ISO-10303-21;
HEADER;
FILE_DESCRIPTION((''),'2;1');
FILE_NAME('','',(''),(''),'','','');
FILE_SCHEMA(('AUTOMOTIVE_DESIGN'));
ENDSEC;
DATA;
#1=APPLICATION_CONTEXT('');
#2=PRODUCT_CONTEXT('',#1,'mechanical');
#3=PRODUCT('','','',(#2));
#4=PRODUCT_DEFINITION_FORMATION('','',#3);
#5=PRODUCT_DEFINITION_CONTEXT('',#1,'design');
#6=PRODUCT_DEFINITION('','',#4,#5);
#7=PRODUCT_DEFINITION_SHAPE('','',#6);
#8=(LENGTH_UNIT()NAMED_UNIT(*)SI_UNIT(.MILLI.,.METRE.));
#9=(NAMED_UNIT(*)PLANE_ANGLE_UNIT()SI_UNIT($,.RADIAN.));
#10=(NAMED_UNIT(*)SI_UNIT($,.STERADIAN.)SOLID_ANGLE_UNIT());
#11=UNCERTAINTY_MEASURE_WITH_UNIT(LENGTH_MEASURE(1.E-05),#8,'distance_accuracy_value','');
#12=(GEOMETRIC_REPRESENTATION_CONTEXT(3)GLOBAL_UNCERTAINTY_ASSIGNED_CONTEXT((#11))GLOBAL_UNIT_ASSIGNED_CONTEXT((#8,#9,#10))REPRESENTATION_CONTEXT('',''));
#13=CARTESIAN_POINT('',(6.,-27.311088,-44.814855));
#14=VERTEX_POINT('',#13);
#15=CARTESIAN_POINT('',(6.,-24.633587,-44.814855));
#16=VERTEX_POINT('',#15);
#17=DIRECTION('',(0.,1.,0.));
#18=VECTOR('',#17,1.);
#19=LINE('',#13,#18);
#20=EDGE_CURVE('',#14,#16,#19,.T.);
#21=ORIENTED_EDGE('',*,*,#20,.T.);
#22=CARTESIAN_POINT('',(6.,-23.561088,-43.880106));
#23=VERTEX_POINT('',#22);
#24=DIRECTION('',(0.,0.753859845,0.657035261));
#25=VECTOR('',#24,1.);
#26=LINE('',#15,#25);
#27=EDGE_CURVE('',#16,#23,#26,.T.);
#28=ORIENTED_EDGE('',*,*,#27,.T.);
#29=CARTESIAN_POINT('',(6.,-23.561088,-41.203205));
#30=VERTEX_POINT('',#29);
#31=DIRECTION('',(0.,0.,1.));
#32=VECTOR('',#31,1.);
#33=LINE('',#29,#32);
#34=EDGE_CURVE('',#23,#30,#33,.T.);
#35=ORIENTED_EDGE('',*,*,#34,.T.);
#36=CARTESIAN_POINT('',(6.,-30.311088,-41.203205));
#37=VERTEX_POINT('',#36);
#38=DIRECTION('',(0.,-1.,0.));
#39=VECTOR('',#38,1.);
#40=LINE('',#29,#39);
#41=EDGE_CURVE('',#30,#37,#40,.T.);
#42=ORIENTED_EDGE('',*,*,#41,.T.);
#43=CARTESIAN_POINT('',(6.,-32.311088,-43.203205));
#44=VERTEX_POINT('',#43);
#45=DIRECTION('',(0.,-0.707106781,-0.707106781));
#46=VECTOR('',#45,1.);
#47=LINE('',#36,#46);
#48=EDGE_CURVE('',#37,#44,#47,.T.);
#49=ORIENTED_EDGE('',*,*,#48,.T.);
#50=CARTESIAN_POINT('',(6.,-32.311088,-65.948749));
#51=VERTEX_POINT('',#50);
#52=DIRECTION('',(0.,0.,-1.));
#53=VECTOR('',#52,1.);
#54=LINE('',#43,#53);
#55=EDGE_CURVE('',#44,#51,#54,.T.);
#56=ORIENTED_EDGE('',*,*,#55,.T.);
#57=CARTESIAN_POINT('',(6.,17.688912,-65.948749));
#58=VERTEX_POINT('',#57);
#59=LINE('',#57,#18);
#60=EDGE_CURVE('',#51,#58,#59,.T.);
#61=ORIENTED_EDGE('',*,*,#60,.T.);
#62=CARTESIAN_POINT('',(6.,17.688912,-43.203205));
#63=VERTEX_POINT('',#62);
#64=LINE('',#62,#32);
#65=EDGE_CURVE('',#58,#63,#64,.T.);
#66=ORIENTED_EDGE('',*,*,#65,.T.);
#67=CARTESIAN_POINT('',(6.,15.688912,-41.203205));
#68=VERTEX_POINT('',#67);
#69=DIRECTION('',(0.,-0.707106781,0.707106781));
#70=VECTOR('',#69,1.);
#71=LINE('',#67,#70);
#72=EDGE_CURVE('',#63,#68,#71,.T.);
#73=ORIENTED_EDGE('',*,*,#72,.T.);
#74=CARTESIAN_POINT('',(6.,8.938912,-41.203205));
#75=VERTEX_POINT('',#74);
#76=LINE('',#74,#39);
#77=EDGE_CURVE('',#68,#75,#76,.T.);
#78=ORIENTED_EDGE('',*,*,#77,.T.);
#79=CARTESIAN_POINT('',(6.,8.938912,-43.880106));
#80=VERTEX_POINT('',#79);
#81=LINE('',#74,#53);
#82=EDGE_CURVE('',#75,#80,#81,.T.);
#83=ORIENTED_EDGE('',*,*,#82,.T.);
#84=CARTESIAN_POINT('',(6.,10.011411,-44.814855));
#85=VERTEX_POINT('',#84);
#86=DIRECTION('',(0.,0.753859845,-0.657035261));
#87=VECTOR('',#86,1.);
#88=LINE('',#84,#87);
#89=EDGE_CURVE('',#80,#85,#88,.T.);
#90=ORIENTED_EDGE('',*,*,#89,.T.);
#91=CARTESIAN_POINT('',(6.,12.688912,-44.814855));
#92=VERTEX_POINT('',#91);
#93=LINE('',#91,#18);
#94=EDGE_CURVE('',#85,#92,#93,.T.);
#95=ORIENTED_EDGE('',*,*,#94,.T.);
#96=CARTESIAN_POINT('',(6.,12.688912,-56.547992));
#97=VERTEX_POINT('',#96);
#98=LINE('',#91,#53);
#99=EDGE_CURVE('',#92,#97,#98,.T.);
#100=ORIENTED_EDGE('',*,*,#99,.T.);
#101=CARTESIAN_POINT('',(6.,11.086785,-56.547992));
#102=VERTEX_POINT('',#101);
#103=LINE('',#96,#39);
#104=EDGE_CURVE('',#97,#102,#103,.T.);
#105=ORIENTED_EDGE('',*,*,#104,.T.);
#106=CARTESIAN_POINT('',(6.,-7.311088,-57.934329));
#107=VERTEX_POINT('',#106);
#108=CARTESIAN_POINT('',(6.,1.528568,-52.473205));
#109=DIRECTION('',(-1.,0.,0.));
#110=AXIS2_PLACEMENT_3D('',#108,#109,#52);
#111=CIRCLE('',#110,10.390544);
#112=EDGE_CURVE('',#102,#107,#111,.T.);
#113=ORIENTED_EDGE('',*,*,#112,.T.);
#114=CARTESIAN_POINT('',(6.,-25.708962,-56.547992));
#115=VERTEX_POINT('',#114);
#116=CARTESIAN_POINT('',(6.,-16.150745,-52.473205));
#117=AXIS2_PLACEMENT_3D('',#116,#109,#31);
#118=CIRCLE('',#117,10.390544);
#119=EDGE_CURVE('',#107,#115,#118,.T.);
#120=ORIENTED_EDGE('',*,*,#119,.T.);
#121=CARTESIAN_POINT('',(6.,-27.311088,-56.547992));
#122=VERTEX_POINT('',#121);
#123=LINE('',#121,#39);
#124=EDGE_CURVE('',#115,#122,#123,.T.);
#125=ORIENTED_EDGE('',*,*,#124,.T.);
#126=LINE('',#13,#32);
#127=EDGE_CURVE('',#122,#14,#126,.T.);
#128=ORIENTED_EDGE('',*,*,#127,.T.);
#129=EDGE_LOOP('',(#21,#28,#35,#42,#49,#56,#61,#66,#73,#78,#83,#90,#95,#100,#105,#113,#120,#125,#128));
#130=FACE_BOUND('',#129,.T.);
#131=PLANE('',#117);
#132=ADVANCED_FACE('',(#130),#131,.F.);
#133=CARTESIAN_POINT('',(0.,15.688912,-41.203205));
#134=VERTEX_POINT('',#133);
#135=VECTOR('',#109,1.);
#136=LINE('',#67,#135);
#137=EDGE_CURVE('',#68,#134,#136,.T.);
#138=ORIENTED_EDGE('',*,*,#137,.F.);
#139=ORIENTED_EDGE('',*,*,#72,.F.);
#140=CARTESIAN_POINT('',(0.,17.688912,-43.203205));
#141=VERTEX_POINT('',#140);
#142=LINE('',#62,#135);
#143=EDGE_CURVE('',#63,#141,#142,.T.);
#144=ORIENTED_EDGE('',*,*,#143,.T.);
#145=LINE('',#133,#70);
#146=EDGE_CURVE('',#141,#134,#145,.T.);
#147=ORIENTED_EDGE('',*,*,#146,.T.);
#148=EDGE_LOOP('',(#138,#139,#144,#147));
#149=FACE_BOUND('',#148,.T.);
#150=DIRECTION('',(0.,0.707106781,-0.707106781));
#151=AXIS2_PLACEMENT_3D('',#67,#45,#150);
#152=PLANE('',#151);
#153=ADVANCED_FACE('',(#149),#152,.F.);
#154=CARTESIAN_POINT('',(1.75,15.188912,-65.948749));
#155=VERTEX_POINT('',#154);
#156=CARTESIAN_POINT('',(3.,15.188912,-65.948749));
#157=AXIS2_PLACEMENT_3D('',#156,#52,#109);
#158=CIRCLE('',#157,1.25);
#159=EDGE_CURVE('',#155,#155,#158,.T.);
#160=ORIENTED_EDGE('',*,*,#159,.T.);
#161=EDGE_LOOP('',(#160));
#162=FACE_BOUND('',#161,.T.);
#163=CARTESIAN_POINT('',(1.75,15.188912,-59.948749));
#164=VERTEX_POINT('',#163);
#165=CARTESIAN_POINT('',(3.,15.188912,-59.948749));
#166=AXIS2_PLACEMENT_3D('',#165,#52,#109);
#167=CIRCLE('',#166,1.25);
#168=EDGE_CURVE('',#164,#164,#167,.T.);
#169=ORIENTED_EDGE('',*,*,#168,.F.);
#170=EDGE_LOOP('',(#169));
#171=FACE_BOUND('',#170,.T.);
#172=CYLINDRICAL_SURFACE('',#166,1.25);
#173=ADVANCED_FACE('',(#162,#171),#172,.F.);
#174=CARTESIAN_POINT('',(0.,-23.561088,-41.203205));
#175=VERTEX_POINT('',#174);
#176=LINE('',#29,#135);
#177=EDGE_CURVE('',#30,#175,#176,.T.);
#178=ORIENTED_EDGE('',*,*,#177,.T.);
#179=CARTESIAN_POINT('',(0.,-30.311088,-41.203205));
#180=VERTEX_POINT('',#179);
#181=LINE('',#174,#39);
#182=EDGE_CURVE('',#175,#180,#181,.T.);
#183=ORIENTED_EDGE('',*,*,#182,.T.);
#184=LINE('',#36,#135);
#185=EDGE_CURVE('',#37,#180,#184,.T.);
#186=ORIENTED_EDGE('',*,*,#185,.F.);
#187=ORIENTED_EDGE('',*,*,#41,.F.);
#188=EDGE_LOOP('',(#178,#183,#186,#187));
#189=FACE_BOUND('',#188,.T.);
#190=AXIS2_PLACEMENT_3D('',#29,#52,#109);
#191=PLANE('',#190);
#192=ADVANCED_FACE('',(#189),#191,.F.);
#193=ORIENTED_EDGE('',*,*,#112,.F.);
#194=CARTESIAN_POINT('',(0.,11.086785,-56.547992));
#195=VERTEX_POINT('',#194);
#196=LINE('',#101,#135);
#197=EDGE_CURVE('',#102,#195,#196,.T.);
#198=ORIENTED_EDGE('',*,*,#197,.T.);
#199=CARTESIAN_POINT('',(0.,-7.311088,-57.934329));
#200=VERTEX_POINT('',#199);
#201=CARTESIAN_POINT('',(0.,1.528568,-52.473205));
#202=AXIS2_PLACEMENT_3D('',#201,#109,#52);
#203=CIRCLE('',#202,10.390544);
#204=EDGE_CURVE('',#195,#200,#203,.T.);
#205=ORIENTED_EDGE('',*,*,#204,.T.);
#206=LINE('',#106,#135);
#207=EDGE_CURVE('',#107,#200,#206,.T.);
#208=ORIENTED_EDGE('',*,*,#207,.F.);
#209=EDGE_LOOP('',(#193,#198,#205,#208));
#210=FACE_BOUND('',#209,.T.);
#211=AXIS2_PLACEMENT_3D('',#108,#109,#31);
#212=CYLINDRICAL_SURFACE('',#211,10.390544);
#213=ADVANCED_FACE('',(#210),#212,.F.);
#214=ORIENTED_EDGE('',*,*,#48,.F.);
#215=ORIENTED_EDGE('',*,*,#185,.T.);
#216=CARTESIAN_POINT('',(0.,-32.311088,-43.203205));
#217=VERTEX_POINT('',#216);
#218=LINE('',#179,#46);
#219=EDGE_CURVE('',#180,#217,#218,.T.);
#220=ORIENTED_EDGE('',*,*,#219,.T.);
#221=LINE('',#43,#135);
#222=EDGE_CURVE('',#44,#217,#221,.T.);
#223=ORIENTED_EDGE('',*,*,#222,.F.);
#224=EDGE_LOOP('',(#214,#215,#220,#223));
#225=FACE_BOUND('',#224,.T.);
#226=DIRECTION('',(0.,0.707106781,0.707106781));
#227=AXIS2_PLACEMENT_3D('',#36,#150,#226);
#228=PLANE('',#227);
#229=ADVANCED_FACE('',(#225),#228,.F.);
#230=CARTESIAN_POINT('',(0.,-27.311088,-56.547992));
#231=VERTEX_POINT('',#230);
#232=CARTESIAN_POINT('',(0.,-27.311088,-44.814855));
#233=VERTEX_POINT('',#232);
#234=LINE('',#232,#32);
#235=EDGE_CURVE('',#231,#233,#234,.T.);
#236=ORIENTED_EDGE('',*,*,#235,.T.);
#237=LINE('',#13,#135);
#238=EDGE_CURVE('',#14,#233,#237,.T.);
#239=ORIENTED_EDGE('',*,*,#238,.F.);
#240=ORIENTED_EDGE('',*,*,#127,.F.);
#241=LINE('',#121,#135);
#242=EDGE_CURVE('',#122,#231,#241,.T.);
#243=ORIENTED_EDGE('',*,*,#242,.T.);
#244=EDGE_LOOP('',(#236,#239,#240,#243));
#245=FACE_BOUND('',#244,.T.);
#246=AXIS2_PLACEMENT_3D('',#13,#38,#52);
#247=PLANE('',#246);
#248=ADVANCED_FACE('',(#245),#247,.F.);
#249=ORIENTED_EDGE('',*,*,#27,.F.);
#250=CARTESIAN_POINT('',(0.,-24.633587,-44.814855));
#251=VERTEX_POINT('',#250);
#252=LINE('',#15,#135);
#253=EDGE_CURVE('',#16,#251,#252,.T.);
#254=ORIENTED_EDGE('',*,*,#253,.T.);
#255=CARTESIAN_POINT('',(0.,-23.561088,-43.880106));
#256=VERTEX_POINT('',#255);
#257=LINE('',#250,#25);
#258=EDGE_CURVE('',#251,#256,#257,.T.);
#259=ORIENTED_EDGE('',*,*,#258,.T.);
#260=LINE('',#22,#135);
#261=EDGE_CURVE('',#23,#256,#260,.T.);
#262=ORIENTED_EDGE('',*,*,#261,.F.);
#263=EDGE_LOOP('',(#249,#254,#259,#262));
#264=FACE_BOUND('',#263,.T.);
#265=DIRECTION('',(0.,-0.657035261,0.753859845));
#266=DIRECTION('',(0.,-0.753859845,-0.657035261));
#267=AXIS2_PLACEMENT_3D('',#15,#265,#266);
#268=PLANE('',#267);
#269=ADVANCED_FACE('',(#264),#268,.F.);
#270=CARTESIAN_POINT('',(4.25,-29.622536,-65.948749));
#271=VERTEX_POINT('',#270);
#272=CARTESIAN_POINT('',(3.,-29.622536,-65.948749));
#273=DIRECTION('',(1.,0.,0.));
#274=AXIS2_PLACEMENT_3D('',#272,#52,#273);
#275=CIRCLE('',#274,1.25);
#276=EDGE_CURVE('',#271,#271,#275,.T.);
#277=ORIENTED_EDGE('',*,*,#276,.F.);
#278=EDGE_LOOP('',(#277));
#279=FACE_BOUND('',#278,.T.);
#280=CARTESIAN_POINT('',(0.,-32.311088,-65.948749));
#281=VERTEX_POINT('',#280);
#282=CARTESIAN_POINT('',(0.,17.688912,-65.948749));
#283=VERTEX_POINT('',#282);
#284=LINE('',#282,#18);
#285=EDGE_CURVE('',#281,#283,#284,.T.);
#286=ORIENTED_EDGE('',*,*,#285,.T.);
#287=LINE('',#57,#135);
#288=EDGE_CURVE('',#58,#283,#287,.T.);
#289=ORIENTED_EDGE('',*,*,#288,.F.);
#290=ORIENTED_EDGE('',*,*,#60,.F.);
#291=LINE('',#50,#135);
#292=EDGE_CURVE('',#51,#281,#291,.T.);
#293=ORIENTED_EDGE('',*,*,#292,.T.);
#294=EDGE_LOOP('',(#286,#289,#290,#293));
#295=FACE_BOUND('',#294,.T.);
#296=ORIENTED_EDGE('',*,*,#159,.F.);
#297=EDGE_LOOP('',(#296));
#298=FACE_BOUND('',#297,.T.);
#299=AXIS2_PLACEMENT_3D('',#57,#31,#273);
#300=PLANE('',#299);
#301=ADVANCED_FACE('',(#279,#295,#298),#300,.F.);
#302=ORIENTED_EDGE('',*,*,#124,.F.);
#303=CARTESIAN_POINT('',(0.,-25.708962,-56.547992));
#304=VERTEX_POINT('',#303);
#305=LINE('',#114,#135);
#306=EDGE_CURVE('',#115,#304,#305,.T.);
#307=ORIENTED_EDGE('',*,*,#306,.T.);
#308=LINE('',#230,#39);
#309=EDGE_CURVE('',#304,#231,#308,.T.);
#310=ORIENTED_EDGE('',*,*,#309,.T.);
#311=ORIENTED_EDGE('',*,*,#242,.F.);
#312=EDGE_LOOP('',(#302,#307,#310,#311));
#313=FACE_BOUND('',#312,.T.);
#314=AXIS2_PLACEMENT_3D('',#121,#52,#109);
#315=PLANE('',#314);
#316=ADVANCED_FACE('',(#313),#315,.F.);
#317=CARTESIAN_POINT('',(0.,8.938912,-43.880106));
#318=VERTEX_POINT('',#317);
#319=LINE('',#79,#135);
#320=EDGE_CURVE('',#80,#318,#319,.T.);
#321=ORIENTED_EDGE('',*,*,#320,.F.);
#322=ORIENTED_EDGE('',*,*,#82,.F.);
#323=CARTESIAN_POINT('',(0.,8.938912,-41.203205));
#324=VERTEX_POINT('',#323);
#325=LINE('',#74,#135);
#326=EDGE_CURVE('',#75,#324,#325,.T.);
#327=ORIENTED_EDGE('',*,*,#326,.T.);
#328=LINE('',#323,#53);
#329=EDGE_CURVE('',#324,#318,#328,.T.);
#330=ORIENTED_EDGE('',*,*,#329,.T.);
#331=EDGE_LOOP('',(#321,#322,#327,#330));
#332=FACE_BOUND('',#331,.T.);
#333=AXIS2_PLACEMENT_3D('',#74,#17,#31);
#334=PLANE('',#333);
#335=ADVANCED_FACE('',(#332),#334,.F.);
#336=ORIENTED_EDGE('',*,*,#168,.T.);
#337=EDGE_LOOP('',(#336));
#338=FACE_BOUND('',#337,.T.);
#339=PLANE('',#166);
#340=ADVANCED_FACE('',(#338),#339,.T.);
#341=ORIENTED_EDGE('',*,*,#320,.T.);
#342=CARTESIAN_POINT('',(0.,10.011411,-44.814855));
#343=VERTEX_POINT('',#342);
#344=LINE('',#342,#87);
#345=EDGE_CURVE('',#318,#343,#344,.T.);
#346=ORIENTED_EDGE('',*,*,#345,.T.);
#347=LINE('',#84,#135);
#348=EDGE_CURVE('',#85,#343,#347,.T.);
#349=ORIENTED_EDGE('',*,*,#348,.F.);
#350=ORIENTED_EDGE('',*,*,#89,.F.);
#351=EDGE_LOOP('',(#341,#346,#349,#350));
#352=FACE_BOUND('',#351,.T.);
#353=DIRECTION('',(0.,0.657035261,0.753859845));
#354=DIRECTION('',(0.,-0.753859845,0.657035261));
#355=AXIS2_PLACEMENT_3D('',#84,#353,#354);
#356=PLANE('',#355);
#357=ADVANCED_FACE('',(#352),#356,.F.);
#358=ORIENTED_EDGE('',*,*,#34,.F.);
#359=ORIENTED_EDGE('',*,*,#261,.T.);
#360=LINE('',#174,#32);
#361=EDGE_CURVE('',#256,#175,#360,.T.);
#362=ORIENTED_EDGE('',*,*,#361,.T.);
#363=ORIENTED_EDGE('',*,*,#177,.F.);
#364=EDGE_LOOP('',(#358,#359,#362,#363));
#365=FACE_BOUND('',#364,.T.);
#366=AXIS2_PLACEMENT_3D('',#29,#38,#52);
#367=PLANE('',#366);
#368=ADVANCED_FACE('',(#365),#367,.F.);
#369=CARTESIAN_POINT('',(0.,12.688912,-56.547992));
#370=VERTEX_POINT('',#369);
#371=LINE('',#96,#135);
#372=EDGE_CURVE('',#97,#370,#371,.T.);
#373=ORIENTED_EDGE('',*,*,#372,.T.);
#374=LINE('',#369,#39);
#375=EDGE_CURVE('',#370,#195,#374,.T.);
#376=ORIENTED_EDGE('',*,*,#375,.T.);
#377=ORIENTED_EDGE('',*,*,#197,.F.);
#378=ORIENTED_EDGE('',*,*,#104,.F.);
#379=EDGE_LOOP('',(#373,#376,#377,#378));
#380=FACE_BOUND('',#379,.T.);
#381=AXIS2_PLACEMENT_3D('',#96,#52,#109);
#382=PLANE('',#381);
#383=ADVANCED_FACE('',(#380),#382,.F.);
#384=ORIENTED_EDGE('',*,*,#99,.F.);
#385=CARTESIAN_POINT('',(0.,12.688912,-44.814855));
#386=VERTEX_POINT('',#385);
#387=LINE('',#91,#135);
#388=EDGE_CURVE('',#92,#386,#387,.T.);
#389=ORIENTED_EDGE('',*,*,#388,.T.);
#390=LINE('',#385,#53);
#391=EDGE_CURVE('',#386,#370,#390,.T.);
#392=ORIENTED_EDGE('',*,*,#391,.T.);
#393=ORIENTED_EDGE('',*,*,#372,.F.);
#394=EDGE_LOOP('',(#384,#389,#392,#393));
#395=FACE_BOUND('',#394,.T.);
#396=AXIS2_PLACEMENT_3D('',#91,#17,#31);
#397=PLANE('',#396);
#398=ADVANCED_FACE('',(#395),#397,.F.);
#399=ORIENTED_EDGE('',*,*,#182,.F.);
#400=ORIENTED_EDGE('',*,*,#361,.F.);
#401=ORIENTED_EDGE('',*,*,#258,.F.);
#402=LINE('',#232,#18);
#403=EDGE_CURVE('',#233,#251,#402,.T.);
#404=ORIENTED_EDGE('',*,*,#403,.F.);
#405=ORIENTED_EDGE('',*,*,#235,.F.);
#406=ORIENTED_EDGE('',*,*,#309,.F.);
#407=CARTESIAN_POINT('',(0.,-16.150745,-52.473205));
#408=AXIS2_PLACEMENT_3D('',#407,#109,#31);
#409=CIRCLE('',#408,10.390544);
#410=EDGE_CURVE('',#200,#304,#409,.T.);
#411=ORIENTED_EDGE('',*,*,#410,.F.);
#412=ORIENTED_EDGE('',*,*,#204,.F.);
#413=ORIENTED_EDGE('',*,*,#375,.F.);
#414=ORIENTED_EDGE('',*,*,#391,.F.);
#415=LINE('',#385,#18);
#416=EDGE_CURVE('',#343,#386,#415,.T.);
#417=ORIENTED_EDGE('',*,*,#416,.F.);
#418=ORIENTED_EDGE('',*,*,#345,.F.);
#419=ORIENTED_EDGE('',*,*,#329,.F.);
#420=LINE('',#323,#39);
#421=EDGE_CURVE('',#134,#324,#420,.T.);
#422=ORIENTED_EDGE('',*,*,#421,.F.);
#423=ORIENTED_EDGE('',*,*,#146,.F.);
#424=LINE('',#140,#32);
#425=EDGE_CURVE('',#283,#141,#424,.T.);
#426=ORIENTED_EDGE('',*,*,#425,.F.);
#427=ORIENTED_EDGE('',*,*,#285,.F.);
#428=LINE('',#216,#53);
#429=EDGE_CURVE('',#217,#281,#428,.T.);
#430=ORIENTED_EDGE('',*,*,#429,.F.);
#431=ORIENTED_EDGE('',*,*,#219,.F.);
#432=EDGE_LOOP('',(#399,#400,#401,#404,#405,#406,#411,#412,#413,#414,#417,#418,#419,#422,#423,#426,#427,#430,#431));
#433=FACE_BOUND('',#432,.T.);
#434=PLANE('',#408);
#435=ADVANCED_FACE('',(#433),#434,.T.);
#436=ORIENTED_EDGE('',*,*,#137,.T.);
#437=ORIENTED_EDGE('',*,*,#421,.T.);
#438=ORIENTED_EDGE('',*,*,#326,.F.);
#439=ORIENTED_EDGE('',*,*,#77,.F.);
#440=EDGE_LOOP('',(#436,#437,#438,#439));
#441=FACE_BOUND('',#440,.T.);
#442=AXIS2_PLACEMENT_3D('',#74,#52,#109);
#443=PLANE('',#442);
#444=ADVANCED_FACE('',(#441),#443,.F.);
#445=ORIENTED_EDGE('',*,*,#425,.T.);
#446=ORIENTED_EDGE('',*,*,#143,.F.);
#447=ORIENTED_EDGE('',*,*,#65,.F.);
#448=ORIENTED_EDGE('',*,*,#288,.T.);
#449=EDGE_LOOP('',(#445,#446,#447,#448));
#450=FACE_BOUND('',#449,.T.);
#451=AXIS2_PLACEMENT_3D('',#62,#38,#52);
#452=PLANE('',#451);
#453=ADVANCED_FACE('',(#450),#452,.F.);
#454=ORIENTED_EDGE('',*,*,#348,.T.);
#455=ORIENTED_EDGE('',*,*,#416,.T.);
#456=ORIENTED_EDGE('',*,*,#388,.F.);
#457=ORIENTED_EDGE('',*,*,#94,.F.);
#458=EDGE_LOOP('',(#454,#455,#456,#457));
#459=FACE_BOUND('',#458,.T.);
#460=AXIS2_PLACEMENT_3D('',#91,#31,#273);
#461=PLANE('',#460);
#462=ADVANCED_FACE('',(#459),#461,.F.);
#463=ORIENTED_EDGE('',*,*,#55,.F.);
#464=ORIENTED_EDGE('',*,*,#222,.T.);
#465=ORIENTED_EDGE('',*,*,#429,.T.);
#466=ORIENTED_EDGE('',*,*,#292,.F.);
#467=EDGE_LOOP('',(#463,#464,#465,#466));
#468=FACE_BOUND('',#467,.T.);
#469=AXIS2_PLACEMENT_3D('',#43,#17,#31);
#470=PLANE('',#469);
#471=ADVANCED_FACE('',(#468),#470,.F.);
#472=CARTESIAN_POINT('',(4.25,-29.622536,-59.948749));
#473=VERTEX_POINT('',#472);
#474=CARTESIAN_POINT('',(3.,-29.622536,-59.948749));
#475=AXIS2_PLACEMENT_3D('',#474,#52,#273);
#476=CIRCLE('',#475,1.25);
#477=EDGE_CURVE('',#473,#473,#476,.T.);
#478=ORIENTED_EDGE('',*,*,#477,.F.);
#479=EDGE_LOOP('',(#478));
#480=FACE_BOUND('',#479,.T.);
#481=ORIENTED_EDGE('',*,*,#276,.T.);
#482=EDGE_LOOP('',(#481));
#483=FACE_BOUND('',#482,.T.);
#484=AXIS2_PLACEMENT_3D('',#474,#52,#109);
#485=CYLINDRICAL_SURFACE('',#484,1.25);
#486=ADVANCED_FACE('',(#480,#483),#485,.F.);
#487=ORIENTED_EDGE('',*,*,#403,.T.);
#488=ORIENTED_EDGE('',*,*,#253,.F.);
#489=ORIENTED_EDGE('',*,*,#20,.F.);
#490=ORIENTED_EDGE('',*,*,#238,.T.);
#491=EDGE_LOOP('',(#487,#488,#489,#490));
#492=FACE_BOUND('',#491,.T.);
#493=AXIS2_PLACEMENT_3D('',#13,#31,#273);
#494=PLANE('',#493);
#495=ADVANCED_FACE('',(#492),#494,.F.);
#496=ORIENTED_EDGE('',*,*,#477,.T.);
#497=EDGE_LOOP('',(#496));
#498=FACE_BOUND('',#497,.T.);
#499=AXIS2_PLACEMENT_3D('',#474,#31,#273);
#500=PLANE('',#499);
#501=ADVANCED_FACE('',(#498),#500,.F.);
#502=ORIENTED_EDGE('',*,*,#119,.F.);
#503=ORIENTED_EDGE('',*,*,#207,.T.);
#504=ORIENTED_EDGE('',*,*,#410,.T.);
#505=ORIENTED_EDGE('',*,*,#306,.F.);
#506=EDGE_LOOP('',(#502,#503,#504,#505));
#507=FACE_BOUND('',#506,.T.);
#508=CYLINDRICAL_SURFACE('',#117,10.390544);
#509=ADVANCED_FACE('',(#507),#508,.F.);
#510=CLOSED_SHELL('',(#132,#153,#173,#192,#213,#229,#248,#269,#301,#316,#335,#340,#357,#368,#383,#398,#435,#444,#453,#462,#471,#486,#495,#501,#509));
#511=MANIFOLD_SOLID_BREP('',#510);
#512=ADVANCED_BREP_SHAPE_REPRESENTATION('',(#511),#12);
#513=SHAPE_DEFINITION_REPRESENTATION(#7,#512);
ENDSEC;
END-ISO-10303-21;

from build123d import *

# Parameters (mm, degrees)
BOSS_EXTRUDE1_DEPTH = 6
SKETCH4_R           = 1.25
CUT_EXTRUDE1_DEPTH  = 6


with BuildPart() as part:
    # Sketch1 → Boss-Extrude1 (new body)
    with BuildSketch(Plane(origin=(0, 0, 0), x_dir=(0, 0, -1), z_dir=(1, 0, 0))):
        with BuildLine():
            Line((41.203205101, 15.688911622), (43.203205101, 17.688911622))
            Line((43.203205101, 17.688911622), (65.948748697, 17.688911622))
            Line((65.948748697, 17.688911622), (65.948748697, -32.311088378))
            Line((65.948748697, -32.311088378), (43.203205101, -32.311088378))
            Line((43.203205101, -32.311088378), (41.203205101, -30.311088378))
            Line((41.203205101, -30.311088378), (41.203205101, -23.561088378))
            Line((41.203205101, -23.561088378), (43.880106331, -23.561088378))
            Line((43.880106331, -23.561088378), (44.81485523, -24.633587377))
            Line((44.81485523, -24.633587377), (44.81485523, -27.311088378))
            Line((44.81485523, -27.311088378), (56.547992273, -27.311088378))
            Line((56.547992273, -27.311088378), (56.547992273, -25.708962028))
            ThreePointArc((56.547992273, -25.708962028), (62.834374894, -16.931491254), (57.934329164, -7.311088378))
            ThreePointArc((57.934329164, -7.311088378), (62.834374894, 2.309314498), (56.547992273, 11.086785272))
            Line((56.547992273, 11.086785272), (56.547992273, 12.688911622))
            Line((56.547992273, 12.688911622), (44.81485523, 12.688911622))
            Line((44.81485523, 12.688911622), (44.81485523, 10.011410621))
            Line((44.81485523, 10.011410621), (43.880106331, 8.938911622))
            Line((43.880106331, 8.938911622), (41.203205101, 8.938911622))
            Line((41.203205101, 8.938911622), (41.203205101, 15.688911622))
        make_face()
    extrude(amount=BOSS_EXTRUDE1_DEPTH)

    # Sketch4 → Cut-Extrude1 (cut)
    with BuildSketch(Plane(origin=(0, 0, -65.948748697), x_dir=(-1, 0, 0), z_dir=(0, 0, -1))):
        with Locations((-3, 15.188911622)):
            Circle(SKETCH4_R)
        with Locations(Location((-3, -29.622535768, 0), (0, 0, 180))):
            Circle(SKETCH4_R)
    extrude(amount=-CUT_EXTRUDE1_DEPTH, mode=Mode.SUBTRACT)


solid = part.part
